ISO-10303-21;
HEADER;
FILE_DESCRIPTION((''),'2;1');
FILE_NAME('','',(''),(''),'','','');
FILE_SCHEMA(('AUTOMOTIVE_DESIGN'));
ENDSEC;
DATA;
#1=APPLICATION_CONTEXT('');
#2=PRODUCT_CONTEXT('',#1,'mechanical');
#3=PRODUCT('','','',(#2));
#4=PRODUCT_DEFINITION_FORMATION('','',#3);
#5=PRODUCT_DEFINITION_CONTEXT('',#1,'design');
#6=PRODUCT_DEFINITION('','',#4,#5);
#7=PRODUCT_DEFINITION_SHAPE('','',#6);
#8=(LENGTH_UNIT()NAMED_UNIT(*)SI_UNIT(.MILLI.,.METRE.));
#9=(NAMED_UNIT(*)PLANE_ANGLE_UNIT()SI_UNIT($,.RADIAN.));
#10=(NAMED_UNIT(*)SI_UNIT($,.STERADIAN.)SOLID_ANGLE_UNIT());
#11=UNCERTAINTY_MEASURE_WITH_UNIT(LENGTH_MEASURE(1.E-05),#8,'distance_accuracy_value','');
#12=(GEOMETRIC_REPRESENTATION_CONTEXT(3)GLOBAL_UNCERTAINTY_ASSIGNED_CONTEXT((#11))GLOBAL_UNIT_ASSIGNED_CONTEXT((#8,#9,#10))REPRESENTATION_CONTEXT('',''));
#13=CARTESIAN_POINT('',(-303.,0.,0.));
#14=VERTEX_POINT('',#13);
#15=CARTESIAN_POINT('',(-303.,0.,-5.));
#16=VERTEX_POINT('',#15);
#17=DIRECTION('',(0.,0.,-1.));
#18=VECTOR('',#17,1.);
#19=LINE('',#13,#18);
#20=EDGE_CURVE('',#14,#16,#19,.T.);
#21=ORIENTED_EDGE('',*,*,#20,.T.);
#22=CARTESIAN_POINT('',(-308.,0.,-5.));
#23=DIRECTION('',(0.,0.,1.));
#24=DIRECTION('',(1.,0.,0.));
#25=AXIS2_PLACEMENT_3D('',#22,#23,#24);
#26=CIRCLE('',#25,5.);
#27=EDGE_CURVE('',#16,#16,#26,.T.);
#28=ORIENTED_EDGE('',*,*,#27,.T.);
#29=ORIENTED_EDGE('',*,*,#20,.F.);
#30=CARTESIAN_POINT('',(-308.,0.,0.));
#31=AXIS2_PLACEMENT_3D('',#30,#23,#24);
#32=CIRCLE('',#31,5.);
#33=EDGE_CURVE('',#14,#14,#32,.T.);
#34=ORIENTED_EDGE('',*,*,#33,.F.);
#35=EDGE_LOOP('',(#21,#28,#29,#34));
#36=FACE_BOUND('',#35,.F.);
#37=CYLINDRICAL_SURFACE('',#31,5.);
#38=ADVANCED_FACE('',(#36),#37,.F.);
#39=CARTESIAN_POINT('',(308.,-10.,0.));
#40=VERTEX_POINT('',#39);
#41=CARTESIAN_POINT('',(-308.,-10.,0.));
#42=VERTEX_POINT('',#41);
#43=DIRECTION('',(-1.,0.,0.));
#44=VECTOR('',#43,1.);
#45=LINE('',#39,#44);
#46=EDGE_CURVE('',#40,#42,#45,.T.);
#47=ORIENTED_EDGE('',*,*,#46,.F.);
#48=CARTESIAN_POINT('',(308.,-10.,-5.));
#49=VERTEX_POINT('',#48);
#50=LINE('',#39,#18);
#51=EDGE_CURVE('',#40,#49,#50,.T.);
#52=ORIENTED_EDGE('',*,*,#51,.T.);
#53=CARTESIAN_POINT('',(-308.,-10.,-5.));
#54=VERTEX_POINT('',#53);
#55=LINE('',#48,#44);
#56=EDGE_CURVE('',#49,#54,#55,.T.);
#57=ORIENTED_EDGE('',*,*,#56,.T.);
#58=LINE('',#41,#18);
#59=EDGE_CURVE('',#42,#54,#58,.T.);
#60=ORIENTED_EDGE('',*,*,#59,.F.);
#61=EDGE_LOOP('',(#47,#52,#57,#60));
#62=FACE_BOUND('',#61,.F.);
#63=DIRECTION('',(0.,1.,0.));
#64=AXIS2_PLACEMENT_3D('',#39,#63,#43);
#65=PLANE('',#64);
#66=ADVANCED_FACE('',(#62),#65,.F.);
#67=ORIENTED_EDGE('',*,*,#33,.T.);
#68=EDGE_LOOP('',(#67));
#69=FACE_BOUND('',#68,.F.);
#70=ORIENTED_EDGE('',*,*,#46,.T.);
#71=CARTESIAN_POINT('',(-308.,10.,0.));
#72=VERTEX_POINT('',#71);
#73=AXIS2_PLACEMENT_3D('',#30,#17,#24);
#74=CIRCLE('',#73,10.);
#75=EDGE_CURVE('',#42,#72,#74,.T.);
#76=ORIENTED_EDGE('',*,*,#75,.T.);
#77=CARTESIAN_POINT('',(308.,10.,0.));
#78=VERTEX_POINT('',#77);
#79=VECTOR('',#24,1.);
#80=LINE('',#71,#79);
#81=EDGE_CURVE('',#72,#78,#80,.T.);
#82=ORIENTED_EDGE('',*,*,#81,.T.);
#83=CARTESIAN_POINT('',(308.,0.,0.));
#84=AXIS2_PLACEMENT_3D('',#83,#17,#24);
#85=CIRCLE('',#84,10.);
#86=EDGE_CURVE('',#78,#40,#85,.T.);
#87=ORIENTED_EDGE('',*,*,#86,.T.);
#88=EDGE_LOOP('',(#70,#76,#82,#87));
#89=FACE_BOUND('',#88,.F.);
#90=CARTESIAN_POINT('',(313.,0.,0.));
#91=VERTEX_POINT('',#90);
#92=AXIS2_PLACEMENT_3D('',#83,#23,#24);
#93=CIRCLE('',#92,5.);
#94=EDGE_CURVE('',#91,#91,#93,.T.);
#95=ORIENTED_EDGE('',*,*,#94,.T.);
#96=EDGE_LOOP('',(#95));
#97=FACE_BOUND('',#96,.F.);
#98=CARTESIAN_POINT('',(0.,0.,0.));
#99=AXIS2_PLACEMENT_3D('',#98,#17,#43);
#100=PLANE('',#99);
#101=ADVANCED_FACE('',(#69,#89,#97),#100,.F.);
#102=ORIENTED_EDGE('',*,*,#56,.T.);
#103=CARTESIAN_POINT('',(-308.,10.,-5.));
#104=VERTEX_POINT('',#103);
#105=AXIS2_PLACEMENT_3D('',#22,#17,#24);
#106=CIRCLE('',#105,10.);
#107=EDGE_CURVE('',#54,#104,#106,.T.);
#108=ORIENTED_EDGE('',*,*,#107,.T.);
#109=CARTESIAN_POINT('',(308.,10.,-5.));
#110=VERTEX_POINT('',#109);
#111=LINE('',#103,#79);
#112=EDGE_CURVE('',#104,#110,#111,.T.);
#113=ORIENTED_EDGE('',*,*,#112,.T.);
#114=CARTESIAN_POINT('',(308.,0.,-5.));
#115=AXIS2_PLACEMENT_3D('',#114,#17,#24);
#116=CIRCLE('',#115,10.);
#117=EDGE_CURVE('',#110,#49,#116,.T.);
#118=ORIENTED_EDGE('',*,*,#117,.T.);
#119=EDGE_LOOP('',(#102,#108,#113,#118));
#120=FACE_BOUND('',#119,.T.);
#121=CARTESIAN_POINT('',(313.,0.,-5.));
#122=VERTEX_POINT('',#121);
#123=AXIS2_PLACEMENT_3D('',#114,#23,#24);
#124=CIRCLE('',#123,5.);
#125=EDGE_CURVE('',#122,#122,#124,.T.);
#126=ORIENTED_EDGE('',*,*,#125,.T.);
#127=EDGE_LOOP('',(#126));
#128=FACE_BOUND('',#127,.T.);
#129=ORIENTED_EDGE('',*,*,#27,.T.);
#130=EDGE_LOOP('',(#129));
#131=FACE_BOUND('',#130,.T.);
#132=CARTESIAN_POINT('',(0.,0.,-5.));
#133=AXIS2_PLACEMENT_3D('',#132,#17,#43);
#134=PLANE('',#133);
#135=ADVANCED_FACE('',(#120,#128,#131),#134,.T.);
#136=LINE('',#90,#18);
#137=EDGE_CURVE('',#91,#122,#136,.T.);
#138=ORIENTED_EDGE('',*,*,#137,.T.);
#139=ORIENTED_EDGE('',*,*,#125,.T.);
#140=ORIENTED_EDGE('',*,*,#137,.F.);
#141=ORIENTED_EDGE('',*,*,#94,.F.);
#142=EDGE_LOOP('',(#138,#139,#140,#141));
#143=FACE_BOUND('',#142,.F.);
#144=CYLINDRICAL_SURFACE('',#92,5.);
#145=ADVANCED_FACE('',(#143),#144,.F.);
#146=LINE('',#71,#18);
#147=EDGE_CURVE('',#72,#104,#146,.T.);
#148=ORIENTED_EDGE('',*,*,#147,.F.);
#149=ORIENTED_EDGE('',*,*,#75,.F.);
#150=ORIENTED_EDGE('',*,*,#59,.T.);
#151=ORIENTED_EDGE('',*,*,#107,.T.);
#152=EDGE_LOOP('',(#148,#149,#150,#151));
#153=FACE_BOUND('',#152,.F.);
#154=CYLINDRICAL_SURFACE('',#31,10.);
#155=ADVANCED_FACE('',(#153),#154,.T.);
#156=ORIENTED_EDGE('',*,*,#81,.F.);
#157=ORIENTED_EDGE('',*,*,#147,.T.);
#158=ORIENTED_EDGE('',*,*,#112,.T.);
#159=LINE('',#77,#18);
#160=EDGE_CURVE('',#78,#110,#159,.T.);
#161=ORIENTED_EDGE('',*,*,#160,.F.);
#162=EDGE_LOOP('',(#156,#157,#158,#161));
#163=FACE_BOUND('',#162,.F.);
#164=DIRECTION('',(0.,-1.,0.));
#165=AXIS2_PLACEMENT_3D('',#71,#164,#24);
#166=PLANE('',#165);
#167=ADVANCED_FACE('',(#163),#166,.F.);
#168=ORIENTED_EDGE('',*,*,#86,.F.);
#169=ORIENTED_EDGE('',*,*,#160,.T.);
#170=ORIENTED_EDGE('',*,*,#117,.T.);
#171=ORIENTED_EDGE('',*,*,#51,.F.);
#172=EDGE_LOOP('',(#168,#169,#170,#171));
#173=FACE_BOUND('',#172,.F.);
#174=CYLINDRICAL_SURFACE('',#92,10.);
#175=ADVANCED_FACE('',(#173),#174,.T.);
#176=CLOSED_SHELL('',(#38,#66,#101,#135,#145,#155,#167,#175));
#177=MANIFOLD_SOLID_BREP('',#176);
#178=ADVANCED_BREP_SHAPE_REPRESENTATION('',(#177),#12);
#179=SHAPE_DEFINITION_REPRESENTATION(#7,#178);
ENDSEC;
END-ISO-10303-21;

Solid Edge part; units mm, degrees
sketch "Sketch1" plane through (0, 0, 0) normal (0, 0, 1) x (1, 0, 0)
  line L0 (-308, 10) -> (308, 10)
  line L1 (308, -10) -> (-308, -10)
  arc A0 (-308, -10) -> (-308, 10) centre (-308, 0) cw
  arc A1 (308, 10) -> (308, -10) centre (308, 0) cw
  circle A2 centre (-308, 0) radius 5
  circle A3 centre (308, 0) radius 5
  dimension "D1" = 616
  dimension "D2" = 20
extrude "Protrusion1" add sketch "Sketch1" against normal blind 5
